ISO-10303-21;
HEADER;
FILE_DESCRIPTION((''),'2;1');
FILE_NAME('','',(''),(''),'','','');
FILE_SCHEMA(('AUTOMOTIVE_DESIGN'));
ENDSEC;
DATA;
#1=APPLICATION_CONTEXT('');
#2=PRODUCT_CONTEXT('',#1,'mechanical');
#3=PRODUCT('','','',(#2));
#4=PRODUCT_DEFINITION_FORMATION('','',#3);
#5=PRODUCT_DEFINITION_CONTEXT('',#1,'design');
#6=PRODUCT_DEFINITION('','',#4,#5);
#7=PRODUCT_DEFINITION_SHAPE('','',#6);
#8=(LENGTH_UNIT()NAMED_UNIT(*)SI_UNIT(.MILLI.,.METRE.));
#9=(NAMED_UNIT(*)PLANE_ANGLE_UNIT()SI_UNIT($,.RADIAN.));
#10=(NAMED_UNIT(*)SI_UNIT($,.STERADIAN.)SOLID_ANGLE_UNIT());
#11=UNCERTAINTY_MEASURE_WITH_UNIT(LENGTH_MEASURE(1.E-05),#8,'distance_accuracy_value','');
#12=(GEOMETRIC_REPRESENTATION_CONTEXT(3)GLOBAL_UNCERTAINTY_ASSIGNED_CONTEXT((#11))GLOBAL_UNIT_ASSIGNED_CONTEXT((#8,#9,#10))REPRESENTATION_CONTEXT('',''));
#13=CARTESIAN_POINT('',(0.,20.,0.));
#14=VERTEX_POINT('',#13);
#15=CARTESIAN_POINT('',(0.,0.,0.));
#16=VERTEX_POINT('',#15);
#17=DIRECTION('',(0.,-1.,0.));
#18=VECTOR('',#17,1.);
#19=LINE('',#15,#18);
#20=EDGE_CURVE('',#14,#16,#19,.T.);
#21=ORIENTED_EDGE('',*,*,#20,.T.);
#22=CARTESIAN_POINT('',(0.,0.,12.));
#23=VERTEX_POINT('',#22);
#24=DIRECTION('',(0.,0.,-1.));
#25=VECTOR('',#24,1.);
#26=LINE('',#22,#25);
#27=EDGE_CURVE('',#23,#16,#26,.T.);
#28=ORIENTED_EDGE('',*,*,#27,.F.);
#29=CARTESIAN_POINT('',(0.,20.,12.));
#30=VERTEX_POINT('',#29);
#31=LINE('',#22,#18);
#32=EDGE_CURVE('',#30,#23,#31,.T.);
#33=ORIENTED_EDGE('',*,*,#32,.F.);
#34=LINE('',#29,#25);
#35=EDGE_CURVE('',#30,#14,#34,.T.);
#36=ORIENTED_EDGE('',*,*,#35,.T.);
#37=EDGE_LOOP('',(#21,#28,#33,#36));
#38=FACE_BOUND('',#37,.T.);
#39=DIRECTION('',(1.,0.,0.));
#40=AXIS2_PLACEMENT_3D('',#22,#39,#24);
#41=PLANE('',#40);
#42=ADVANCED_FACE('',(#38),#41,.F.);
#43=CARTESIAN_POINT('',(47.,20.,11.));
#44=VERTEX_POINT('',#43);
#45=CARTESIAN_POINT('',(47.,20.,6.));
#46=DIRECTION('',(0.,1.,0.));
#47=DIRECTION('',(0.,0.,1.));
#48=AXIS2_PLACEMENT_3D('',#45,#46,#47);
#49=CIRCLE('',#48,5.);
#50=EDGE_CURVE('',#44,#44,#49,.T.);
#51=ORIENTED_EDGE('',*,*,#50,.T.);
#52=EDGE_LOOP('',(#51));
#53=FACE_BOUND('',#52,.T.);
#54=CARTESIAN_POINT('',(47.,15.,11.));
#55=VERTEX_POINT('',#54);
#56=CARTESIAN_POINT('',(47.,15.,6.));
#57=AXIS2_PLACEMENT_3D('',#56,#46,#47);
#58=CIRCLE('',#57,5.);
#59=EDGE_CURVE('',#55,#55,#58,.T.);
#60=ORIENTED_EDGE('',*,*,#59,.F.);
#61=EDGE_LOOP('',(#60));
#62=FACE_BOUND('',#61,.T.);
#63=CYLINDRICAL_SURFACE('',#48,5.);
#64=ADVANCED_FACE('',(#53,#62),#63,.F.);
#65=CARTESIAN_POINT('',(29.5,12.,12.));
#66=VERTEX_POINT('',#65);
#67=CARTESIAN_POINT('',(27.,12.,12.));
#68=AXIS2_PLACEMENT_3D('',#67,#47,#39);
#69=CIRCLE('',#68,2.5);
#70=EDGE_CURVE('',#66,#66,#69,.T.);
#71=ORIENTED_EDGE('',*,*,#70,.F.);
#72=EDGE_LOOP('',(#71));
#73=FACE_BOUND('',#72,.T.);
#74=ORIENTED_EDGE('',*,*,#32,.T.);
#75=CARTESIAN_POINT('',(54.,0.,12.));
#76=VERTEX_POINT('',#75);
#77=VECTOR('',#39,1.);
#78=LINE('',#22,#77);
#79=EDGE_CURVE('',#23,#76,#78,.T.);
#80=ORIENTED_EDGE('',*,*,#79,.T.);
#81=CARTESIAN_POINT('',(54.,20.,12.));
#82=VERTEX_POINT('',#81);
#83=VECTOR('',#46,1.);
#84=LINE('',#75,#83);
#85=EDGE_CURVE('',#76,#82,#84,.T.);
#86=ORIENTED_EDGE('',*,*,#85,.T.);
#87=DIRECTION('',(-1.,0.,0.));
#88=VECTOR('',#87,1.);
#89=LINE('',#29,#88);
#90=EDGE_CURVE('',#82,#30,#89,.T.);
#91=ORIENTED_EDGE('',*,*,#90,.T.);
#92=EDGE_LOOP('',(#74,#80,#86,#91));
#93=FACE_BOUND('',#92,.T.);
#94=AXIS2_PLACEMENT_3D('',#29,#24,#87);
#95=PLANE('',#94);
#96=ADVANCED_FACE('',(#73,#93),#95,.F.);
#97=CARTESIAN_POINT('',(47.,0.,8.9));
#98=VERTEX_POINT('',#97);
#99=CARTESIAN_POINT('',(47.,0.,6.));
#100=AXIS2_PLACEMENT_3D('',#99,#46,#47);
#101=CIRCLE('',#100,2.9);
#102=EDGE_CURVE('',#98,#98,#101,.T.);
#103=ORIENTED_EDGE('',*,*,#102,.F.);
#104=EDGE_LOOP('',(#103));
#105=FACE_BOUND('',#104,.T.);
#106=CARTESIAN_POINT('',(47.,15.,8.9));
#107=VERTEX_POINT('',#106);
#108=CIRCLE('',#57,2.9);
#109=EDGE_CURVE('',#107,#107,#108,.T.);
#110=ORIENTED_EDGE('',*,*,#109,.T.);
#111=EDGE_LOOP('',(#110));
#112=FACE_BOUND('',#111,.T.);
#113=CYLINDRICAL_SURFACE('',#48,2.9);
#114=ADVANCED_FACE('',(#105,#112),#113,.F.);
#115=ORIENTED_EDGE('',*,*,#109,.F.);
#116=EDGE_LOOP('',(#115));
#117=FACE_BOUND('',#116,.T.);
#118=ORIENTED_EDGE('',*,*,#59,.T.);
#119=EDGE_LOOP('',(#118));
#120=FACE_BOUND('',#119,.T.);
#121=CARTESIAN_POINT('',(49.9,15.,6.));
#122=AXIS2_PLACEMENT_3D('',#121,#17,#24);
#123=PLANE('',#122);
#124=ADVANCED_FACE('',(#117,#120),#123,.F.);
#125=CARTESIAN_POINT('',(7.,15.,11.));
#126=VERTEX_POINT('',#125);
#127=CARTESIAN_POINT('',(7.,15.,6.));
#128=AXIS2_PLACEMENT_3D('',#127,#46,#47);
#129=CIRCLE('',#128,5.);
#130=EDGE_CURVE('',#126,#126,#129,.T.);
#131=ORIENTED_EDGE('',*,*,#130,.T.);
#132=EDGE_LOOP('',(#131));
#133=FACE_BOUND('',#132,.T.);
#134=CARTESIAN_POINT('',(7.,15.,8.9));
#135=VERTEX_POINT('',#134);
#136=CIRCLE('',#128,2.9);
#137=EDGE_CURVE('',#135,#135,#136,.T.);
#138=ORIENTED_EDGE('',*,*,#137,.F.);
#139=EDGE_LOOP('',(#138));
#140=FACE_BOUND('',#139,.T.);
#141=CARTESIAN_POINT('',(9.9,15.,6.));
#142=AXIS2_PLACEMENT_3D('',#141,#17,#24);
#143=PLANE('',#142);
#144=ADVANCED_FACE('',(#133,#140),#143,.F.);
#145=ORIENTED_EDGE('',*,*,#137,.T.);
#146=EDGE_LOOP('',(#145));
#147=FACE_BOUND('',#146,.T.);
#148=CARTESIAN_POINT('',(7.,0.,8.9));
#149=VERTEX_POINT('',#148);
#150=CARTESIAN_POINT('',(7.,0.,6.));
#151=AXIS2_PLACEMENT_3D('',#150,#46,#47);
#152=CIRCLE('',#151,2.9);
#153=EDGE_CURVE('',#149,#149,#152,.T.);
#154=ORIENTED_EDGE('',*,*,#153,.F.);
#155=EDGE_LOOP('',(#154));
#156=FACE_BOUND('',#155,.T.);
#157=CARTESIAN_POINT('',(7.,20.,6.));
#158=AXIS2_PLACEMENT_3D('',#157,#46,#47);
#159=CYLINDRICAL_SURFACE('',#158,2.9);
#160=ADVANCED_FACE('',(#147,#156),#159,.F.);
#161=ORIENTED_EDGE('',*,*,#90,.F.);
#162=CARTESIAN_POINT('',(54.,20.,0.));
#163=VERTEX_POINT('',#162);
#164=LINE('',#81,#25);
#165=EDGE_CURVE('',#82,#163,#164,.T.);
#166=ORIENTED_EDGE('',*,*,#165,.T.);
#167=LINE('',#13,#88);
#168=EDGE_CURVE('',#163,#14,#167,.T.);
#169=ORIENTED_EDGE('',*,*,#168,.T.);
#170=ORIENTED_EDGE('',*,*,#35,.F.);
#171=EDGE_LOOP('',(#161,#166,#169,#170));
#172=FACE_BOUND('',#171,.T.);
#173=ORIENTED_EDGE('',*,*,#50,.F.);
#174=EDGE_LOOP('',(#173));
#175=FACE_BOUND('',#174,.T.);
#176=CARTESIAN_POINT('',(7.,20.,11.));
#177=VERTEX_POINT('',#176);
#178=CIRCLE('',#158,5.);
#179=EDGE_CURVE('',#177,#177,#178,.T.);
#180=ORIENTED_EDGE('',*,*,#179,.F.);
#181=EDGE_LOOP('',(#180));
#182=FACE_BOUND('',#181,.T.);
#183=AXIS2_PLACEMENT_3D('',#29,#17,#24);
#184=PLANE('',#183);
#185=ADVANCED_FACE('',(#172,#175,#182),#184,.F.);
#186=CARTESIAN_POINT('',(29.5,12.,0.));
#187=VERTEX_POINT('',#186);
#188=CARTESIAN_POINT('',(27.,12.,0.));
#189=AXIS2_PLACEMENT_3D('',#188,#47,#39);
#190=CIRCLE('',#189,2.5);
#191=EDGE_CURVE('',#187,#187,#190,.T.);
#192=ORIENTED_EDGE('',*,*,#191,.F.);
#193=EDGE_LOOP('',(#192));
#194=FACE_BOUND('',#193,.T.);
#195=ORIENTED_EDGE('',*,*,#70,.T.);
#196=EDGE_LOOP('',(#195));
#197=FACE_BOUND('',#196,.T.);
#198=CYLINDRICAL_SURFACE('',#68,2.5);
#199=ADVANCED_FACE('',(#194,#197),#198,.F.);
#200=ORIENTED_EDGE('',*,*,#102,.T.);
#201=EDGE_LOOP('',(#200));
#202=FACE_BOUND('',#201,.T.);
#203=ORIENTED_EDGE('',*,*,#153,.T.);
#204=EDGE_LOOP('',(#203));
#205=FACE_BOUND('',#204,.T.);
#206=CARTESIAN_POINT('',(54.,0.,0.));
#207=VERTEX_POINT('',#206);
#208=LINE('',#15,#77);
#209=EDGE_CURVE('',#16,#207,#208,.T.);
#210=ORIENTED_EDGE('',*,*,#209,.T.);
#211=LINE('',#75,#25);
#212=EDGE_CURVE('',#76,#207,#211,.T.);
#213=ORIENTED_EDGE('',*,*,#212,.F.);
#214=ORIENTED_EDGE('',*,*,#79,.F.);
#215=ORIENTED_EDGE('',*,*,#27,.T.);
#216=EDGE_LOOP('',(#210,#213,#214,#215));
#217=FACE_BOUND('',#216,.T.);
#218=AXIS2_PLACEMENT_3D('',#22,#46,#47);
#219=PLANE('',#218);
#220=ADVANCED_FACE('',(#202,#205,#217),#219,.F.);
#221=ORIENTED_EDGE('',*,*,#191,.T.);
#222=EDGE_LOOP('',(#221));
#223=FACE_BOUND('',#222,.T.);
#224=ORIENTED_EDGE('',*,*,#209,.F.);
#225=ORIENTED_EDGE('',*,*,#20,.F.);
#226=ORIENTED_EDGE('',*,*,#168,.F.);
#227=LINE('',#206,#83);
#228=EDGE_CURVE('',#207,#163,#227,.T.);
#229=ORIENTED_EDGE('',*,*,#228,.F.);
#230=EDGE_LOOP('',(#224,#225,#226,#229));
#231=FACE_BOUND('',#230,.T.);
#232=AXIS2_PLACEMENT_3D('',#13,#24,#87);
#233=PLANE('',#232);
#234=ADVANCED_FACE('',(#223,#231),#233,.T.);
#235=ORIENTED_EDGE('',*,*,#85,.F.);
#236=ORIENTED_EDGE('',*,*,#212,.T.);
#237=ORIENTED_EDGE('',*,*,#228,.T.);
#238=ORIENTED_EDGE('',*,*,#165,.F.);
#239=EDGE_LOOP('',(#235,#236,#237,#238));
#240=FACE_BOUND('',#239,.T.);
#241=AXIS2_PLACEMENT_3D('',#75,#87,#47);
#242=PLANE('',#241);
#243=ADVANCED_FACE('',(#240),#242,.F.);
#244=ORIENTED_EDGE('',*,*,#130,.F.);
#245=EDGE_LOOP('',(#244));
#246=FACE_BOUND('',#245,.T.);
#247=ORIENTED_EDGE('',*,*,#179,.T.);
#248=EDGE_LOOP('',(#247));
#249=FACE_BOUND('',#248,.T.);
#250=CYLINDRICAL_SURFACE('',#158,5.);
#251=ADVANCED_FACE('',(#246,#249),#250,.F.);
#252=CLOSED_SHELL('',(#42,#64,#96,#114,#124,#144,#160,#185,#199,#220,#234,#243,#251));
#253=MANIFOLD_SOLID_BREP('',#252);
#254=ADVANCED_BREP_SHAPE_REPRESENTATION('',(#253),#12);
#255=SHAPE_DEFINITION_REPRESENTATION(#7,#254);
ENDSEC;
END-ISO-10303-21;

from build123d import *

# Parameters (mm, degrees)
SKETCH_1_W                   = 54
SKETCH_1_H                   = 20
EXTRUDE_1_DEPTH              = 12
HOLE_WIZARD_M6_1_D           = 5
HOLE_WIZARD_M5_1_D           = 5.8
HOLE_WIZARD_M5_1_CBORE_D     = 10
HOLE_WIZARD_M5_1_CBORE_DEPTH = 5


with BuildPart() as part:
    # 草图1 → 凸台-拉伸1 (new body)
    with BuildSketch(Plane.XY):
        with Locations((27, 10)):
            Rectangle(SKETCH_1_W, SKETCH_1_H)
    extrude(amount=EXTRUDE_1_DEPTH)

    # M6 螺纹孔1 (through all)
    with Locations(Plane.XY.offset(12)):
        with Locations((27, 12)):
            Hole(HOLE_WIZARD_M6_1_D / 2)

    # M5 六角凹头螺钉的柱形沉头孔1 (through all)
    with Locations(Plane(origin=(0, 20, 0), x_dir=(-1, 0, 0), z_dir=(0, 1, 0))):
        with Locations((-47, 6), (-7, 6)):
            CounterBoreHole(HOLE_WIZARD_M5_1_D / 2, HOLE_WIZARD_M5_1_CBORE_D / 2, HOLE_WIZARD_M5_1_CBORE_DEPTH)


solid = part.part
